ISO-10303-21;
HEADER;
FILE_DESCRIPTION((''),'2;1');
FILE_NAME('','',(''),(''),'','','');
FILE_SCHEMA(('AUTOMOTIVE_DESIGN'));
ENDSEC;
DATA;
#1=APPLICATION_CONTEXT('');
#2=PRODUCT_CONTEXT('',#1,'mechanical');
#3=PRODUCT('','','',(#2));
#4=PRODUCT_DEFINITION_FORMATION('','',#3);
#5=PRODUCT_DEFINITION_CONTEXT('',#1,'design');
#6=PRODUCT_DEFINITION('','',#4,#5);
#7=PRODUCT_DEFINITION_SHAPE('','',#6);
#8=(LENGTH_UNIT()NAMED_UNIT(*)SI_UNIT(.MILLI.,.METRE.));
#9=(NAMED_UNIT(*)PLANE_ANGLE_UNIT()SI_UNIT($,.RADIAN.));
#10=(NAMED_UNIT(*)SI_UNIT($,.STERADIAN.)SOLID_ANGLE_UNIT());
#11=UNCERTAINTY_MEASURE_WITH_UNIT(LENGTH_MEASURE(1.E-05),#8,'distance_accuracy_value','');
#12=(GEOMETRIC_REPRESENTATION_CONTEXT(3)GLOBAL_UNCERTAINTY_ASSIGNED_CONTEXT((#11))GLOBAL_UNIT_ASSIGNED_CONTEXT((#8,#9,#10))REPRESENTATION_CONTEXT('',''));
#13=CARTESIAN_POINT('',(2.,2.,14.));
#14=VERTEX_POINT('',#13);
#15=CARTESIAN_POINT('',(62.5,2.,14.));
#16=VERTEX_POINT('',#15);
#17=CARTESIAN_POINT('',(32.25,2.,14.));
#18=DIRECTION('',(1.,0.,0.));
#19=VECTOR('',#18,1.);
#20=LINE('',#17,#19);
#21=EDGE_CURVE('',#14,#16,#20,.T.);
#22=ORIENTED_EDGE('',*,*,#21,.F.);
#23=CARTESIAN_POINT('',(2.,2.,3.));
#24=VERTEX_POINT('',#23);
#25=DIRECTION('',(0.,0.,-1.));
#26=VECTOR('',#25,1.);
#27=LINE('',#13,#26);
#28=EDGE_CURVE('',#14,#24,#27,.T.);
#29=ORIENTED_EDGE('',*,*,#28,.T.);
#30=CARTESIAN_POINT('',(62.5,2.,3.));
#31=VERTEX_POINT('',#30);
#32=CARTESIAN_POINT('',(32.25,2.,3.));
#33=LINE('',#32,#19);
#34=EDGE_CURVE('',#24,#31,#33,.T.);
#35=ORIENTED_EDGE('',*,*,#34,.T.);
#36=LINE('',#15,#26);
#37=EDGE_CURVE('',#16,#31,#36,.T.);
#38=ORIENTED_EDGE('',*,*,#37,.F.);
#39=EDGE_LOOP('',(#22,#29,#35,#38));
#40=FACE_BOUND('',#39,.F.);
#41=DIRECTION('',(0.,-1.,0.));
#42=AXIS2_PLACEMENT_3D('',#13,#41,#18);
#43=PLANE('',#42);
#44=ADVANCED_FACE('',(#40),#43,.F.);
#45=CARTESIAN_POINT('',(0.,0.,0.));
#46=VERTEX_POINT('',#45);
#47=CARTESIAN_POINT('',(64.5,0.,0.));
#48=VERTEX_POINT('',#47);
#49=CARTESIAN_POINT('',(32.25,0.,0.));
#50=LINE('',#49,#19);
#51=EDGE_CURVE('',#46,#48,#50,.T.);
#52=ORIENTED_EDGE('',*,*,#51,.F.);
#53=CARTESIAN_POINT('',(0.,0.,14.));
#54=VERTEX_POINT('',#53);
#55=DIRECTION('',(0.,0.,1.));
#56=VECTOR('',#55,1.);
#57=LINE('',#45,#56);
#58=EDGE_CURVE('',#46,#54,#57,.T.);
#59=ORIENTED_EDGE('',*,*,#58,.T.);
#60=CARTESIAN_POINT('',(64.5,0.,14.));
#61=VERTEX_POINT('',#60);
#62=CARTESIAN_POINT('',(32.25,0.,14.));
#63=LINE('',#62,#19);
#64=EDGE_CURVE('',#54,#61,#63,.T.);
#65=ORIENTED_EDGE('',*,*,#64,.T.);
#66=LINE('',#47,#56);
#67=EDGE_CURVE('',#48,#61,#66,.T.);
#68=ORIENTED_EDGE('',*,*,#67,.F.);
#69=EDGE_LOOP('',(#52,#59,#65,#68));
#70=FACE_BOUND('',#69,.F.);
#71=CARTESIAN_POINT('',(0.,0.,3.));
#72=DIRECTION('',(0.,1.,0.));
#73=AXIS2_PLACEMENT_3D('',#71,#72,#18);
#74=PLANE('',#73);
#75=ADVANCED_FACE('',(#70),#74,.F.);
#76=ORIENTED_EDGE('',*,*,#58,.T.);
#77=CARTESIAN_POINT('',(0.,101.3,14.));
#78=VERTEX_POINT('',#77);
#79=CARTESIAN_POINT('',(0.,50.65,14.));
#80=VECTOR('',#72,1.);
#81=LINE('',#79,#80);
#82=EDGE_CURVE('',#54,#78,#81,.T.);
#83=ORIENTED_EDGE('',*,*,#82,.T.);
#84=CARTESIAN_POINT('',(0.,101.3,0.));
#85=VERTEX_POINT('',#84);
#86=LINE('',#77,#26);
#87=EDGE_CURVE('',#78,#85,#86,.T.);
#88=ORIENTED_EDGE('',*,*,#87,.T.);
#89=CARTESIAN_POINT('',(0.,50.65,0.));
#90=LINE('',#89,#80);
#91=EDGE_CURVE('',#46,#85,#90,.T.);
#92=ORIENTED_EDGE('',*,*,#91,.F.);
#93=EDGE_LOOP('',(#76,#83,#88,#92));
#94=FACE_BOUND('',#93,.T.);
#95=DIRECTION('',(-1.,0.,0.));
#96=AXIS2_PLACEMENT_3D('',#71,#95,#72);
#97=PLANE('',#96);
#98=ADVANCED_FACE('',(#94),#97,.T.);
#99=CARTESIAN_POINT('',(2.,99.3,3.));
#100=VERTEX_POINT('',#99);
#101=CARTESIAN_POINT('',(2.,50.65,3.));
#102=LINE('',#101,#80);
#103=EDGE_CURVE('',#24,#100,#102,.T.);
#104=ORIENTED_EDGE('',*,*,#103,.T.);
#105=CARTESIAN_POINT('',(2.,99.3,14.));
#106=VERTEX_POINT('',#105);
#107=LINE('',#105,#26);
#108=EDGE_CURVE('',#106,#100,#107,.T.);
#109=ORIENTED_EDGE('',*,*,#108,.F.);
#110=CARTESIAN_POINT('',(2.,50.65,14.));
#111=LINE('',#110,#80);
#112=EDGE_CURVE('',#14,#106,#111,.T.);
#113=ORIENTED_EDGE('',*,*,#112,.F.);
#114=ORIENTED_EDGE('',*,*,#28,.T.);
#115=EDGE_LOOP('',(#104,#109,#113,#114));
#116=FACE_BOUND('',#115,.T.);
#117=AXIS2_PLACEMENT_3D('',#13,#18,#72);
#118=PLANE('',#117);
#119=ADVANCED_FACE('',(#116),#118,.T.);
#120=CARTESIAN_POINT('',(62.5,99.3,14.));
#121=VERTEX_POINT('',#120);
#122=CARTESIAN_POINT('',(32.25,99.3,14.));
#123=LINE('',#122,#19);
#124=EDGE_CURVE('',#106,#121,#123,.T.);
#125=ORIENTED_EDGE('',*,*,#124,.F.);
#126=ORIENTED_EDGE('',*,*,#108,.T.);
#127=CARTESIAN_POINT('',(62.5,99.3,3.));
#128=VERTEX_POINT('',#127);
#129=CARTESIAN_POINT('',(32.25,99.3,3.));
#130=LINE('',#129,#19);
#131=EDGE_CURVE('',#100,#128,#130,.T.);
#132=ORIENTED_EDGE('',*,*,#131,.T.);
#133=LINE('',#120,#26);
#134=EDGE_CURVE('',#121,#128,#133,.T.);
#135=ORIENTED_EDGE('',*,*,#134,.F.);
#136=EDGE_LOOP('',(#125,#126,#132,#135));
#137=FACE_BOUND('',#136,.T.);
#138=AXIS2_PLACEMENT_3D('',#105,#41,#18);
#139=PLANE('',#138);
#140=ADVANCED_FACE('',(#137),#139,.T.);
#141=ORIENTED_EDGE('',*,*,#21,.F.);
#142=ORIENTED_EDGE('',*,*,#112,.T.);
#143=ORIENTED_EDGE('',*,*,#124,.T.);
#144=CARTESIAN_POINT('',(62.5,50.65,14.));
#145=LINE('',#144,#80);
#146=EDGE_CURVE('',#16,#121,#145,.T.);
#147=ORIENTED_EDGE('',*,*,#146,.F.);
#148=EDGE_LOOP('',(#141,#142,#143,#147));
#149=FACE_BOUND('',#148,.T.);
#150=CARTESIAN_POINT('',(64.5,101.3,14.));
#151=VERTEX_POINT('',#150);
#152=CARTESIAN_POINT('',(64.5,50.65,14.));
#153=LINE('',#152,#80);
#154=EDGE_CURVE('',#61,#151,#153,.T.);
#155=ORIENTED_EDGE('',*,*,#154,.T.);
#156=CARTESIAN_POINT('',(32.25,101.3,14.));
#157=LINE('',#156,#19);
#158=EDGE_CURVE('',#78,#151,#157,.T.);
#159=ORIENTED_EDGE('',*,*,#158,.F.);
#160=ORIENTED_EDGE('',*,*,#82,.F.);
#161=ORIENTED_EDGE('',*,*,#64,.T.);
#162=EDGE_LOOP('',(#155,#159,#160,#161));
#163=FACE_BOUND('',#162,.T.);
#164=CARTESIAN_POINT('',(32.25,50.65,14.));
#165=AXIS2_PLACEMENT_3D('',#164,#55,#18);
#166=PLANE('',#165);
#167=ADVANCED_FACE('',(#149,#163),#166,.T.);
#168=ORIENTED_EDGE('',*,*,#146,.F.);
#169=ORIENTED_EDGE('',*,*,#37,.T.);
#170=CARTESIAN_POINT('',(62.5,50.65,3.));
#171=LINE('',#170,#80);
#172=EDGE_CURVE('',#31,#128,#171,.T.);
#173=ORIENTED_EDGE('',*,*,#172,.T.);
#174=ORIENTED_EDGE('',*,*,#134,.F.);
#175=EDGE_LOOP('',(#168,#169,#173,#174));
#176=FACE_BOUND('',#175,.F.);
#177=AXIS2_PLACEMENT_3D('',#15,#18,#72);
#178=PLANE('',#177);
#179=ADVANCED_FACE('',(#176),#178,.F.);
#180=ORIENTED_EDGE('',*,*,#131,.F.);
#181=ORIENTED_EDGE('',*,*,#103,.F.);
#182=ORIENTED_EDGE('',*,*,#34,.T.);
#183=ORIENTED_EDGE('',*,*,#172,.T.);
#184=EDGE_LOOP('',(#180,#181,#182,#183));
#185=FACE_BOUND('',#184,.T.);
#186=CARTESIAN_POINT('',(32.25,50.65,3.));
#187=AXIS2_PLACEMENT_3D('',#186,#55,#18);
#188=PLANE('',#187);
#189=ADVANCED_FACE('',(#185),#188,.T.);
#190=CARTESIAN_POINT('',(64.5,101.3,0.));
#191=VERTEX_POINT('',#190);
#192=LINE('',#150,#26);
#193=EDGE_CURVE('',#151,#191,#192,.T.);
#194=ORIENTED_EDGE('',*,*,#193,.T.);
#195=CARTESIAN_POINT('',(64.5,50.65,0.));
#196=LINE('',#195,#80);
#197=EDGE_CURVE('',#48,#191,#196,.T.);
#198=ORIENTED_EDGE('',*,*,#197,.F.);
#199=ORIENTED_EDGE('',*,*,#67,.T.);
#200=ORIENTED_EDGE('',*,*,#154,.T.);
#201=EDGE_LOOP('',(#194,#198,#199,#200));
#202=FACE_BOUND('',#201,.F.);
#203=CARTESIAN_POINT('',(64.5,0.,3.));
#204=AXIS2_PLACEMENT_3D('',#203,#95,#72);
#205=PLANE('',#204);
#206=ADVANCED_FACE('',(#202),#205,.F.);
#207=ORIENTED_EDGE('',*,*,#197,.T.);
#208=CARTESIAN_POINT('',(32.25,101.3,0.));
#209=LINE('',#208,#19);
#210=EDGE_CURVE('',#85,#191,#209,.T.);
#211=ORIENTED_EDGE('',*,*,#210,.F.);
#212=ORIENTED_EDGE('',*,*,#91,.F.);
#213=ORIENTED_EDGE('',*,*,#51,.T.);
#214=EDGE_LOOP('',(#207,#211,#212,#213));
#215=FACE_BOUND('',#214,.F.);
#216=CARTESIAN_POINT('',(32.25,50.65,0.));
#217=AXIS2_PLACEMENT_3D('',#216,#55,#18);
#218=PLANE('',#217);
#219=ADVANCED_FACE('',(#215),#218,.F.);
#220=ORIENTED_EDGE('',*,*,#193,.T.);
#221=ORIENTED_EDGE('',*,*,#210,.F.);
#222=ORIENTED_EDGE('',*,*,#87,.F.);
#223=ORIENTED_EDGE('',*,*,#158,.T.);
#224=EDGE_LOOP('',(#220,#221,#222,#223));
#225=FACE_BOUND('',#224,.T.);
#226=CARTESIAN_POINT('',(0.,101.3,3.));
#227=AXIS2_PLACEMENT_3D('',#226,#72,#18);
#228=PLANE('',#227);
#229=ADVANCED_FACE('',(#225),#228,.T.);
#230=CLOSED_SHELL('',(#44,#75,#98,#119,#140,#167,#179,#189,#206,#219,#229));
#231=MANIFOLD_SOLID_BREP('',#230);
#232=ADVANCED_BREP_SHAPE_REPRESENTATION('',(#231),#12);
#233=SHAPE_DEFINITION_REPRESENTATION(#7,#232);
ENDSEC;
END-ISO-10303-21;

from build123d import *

# Parameters (mm, degrees)
F0_W      = 64.5
F0_H      = 101.3
F1_DEPTH  = 3
F1_FACE_W = 64.5
F1_FACE_H = 101.3
F2_DEPTH  = 11
F3_W      = 60.5
F3_H      = 97.3
F4_DEPTH  = 11


with BuildPart() as f1:
    # F0 (on Top) → F1 (new body)
    with BuildSketch(Plane.XY):
        with Locations((32.25, 50.65)):
            Rectangle(F0_W, F0_H)
    extrude(amount=F1_DEPTH)

    # F1_face (on face) → F2 (join)
    with BuildSketch(Plane(origin=(32.25, 50.65, 3), x_dir=(1, 0, 0), z_dir=(0, 0, 1))):
        Rectangle(F1_FACE_W, F1_FACE_H)
    extrude(amount=F2_DEPTH)

    # F3 (on face) → F4 (cut)
    with BuildSketch(Plane.XY.offset(14)):
        with Locations((32.25, 50.65)):
            Rectangle(F3_W, F3_H)
    extrude(amount=-F4_DEPTH, mode=Mode.SUBTRACT)


solid = f1.part
